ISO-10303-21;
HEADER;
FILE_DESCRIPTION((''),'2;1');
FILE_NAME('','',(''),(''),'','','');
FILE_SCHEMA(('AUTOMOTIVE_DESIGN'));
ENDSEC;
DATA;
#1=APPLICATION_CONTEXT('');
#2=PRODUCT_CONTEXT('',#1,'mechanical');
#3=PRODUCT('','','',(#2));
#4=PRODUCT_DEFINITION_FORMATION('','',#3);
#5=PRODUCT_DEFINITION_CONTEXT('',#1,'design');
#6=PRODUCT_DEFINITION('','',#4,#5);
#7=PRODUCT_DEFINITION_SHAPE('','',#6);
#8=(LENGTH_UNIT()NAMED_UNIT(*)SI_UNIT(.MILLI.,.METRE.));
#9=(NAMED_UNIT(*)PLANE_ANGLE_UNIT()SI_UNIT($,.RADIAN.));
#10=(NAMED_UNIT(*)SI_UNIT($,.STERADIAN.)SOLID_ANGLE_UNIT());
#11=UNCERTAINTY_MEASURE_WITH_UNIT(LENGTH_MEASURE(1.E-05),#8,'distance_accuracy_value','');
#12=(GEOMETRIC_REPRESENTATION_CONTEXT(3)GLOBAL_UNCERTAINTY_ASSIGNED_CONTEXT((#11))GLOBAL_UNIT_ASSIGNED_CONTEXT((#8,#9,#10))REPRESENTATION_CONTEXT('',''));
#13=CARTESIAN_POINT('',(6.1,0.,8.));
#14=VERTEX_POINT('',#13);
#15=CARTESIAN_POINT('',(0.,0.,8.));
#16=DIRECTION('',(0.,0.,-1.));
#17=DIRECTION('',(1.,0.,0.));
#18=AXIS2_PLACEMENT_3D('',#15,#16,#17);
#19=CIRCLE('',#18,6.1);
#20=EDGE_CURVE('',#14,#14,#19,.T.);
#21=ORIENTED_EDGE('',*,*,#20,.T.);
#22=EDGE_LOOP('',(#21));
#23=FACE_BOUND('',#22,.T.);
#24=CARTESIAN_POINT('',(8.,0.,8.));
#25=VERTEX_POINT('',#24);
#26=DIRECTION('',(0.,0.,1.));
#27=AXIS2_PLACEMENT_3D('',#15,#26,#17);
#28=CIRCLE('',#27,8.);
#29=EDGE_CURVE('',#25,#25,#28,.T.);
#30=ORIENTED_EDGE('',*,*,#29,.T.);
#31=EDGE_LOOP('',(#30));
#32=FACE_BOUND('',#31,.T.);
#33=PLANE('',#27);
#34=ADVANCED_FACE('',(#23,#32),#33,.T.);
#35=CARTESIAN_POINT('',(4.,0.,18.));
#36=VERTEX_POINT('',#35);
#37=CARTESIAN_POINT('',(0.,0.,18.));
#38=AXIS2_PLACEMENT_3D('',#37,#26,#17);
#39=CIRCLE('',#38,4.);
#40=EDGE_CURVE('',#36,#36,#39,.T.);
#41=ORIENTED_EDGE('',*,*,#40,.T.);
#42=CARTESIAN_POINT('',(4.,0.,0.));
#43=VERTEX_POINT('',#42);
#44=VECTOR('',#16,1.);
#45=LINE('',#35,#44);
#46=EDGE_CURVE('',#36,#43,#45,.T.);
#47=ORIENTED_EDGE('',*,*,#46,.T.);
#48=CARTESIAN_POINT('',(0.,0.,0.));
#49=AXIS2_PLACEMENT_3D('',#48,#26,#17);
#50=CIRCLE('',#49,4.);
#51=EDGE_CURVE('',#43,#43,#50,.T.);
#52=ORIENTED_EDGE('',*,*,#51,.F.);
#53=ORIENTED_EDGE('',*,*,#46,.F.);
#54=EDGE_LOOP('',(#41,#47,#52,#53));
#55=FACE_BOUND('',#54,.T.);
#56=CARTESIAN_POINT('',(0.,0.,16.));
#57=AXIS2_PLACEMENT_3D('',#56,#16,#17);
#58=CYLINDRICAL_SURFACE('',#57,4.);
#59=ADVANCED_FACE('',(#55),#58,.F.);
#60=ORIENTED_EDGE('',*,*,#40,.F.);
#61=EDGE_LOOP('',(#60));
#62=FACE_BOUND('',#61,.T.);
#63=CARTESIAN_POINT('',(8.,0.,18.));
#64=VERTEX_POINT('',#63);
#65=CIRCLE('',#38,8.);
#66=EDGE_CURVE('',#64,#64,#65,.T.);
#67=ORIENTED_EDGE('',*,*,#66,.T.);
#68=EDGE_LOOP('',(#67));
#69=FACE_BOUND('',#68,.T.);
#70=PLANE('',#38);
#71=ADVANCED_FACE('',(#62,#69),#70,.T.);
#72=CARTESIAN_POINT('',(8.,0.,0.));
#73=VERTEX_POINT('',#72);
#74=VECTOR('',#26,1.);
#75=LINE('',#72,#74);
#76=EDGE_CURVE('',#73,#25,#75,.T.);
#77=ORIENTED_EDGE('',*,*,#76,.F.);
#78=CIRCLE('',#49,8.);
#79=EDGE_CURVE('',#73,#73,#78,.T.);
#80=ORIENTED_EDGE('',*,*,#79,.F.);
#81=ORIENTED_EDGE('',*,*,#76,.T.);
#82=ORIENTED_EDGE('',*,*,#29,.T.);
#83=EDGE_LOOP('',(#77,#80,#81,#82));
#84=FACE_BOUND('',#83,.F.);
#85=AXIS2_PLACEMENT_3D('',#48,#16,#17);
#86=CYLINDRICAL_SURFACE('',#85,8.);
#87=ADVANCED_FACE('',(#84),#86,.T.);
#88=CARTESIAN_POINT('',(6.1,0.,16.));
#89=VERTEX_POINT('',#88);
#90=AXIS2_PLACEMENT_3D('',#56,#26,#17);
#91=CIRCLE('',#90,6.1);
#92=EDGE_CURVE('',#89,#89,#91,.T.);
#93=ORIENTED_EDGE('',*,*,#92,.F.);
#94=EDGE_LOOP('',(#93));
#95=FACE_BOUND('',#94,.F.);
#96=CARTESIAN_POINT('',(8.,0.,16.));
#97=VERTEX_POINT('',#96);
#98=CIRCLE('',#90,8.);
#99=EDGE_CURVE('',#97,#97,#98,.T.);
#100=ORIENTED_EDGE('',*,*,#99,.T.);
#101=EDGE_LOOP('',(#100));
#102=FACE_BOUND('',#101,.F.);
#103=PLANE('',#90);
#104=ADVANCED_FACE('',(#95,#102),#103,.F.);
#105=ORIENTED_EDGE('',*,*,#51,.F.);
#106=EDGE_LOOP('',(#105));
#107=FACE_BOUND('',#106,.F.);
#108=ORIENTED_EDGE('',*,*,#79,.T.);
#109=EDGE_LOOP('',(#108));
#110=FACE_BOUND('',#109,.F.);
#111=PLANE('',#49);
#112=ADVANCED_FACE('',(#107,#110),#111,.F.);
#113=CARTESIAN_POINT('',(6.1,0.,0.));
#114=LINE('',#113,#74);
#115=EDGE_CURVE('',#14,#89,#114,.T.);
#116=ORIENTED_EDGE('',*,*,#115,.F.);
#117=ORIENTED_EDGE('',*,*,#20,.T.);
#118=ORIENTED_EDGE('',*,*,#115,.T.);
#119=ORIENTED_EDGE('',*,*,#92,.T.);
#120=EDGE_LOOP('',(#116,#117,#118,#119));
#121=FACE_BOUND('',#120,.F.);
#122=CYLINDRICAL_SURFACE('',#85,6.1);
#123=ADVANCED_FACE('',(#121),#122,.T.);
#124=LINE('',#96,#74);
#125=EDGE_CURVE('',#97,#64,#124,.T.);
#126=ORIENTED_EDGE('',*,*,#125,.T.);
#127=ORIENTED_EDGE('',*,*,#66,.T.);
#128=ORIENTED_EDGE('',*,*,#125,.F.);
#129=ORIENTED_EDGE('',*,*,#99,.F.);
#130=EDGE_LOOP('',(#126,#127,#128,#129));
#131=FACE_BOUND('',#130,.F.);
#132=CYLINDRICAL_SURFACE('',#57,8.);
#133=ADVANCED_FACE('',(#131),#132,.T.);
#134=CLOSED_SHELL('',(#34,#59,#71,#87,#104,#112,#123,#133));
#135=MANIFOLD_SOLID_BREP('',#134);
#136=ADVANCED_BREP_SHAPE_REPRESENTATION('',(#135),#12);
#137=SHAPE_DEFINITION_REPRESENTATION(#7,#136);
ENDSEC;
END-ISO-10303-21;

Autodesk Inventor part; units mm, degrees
ref_plane "YZ Plane" through (0, 0, 0) normal (1, 0, 0) x (0, 1, 0)
ref_plane "XZ Plane" through (0, 0, 0) normal (0, 1, 0) x (-1, 0, 0)
ref_plane "XY Plane" through (0, 0, 0) normal (0, 0, 1) x (1, 0, 0)
sketch "Sketch1" plane through (0, 0, 0) normal (0, 0, 1) x (1, 0, 0)
  circle A0 centre (0, 0) radius 4
  circle A1 centre (0, 0) radius 8
  circle A2 centre (0, 0) radius 6.1
  dimension "d0" = 8
  dimension "d1" = 16
  dimension "d2" = 12.2
extrude "Extrusion1" add sketch "Sketch1" along normal blind 8 contours A1 | A2
extrude "Extrusion2" add sketch "Sketch1" along normal blind 16 contours A2
sketch "Sketch2" plane through (0, 0, 16) normal (0, 0, 1) x (1, 0, 0)
  circle A0 centre (0, 0) radius 8 projected
  circle A1 centre (0, 0) radius 4 projected
extrude "Extrusion3" add sketch "Sketch2" along normal blind 2
properties part number "Polea" material "Aluminio 6061"
